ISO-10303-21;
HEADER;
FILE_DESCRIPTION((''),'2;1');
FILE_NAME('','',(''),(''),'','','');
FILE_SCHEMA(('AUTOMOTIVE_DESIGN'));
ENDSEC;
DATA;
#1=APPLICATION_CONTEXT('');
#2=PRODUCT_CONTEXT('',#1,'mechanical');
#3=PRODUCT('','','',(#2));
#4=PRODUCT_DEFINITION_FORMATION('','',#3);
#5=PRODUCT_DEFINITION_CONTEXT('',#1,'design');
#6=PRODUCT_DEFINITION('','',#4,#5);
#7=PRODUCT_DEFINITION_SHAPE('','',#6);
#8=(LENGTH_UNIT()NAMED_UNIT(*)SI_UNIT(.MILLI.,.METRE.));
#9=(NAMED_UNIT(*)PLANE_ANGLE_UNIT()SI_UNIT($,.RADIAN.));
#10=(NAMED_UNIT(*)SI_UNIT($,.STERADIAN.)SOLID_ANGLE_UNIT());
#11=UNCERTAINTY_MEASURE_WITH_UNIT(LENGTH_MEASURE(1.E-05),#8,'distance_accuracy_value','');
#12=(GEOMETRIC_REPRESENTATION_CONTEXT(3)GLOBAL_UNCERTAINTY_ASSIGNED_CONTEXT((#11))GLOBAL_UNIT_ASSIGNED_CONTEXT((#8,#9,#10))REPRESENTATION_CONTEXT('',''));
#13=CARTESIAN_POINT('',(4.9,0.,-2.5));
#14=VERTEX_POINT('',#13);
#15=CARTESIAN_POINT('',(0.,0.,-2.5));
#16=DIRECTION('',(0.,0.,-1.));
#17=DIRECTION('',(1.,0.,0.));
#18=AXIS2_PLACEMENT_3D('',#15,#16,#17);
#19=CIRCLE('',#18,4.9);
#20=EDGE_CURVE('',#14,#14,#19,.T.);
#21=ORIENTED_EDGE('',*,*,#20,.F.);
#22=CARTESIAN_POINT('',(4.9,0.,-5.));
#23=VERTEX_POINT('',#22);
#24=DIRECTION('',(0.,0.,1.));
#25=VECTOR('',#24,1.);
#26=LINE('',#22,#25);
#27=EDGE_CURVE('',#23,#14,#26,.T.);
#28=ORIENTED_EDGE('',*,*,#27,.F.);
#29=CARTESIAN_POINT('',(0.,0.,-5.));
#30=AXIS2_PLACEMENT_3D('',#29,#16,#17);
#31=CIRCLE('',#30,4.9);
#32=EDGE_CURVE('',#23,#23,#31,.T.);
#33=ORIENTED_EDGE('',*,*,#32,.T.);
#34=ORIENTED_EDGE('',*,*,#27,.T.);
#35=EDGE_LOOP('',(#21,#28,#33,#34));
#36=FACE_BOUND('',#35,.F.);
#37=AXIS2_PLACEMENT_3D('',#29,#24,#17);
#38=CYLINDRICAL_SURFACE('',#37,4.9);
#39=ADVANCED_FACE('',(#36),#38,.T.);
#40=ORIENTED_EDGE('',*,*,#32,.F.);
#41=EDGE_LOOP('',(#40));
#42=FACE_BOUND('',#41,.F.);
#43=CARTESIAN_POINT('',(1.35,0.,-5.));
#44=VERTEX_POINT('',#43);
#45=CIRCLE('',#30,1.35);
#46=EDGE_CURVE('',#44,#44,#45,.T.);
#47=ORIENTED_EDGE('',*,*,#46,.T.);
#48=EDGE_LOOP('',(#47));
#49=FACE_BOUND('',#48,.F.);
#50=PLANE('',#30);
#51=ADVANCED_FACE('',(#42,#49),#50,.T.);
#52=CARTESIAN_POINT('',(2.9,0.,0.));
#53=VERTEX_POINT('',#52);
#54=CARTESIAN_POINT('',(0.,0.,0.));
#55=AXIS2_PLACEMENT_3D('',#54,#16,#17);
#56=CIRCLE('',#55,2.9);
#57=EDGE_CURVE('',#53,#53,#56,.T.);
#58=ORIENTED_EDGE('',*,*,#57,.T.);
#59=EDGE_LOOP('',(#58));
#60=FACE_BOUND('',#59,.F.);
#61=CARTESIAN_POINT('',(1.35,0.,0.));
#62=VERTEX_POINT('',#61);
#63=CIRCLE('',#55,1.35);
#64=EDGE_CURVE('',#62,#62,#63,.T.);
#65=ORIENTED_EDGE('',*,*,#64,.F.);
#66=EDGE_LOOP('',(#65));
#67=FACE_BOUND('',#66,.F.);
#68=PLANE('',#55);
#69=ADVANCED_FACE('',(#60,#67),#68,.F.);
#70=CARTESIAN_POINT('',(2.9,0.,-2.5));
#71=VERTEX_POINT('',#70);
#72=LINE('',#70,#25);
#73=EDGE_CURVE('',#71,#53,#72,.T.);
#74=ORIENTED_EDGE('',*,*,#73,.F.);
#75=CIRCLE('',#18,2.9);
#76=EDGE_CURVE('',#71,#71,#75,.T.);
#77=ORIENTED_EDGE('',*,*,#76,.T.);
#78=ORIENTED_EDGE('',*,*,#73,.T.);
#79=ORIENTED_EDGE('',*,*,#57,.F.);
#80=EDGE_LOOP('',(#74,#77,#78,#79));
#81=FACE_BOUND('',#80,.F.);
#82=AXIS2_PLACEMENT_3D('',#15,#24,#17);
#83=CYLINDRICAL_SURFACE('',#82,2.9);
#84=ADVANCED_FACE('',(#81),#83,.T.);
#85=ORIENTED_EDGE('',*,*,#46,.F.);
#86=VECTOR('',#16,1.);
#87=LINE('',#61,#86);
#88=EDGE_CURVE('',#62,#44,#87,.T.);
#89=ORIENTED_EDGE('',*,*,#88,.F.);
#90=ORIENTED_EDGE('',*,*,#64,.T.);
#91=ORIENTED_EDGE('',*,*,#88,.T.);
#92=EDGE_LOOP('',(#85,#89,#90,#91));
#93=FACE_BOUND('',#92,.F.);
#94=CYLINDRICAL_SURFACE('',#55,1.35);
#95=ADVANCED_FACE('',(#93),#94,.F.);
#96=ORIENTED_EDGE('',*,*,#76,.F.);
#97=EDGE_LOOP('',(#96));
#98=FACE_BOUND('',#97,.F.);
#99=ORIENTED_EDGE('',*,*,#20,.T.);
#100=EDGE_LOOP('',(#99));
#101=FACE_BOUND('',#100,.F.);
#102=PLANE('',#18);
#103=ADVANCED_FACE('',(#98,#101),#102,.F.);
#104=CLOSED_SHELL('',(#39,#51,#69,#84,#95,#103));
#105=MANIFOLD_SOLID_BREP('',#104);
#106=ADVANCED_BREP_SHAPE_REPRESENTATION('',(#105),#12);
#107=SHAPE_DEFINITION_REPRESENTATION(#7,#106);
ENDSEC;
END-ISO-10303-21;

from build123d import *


with BuildPart() as part:
    # 草图1 → 旋转1 (revolve)
    with BuildSketch(Plane(origin=(0, 0, 0), x_dir=(1, 0, 0), z_dir=(0, 1, 0)), mode=Mode.PRIVATE) as revolve_1_sk:
        Polygon((-1.35, 5), (-4.9, 5), (-4.9, 2.5), (-2.9, 2.5), (-2.9, 0), (-1.35, 0), align=None)
    revolve(revolve_1_sk.sketch.rotate(Axis((0, 0, 0), (0, 0, -1)), 180), axis=Axis((0, 0, 0), (0, 0, -1)))


solid = part.part
